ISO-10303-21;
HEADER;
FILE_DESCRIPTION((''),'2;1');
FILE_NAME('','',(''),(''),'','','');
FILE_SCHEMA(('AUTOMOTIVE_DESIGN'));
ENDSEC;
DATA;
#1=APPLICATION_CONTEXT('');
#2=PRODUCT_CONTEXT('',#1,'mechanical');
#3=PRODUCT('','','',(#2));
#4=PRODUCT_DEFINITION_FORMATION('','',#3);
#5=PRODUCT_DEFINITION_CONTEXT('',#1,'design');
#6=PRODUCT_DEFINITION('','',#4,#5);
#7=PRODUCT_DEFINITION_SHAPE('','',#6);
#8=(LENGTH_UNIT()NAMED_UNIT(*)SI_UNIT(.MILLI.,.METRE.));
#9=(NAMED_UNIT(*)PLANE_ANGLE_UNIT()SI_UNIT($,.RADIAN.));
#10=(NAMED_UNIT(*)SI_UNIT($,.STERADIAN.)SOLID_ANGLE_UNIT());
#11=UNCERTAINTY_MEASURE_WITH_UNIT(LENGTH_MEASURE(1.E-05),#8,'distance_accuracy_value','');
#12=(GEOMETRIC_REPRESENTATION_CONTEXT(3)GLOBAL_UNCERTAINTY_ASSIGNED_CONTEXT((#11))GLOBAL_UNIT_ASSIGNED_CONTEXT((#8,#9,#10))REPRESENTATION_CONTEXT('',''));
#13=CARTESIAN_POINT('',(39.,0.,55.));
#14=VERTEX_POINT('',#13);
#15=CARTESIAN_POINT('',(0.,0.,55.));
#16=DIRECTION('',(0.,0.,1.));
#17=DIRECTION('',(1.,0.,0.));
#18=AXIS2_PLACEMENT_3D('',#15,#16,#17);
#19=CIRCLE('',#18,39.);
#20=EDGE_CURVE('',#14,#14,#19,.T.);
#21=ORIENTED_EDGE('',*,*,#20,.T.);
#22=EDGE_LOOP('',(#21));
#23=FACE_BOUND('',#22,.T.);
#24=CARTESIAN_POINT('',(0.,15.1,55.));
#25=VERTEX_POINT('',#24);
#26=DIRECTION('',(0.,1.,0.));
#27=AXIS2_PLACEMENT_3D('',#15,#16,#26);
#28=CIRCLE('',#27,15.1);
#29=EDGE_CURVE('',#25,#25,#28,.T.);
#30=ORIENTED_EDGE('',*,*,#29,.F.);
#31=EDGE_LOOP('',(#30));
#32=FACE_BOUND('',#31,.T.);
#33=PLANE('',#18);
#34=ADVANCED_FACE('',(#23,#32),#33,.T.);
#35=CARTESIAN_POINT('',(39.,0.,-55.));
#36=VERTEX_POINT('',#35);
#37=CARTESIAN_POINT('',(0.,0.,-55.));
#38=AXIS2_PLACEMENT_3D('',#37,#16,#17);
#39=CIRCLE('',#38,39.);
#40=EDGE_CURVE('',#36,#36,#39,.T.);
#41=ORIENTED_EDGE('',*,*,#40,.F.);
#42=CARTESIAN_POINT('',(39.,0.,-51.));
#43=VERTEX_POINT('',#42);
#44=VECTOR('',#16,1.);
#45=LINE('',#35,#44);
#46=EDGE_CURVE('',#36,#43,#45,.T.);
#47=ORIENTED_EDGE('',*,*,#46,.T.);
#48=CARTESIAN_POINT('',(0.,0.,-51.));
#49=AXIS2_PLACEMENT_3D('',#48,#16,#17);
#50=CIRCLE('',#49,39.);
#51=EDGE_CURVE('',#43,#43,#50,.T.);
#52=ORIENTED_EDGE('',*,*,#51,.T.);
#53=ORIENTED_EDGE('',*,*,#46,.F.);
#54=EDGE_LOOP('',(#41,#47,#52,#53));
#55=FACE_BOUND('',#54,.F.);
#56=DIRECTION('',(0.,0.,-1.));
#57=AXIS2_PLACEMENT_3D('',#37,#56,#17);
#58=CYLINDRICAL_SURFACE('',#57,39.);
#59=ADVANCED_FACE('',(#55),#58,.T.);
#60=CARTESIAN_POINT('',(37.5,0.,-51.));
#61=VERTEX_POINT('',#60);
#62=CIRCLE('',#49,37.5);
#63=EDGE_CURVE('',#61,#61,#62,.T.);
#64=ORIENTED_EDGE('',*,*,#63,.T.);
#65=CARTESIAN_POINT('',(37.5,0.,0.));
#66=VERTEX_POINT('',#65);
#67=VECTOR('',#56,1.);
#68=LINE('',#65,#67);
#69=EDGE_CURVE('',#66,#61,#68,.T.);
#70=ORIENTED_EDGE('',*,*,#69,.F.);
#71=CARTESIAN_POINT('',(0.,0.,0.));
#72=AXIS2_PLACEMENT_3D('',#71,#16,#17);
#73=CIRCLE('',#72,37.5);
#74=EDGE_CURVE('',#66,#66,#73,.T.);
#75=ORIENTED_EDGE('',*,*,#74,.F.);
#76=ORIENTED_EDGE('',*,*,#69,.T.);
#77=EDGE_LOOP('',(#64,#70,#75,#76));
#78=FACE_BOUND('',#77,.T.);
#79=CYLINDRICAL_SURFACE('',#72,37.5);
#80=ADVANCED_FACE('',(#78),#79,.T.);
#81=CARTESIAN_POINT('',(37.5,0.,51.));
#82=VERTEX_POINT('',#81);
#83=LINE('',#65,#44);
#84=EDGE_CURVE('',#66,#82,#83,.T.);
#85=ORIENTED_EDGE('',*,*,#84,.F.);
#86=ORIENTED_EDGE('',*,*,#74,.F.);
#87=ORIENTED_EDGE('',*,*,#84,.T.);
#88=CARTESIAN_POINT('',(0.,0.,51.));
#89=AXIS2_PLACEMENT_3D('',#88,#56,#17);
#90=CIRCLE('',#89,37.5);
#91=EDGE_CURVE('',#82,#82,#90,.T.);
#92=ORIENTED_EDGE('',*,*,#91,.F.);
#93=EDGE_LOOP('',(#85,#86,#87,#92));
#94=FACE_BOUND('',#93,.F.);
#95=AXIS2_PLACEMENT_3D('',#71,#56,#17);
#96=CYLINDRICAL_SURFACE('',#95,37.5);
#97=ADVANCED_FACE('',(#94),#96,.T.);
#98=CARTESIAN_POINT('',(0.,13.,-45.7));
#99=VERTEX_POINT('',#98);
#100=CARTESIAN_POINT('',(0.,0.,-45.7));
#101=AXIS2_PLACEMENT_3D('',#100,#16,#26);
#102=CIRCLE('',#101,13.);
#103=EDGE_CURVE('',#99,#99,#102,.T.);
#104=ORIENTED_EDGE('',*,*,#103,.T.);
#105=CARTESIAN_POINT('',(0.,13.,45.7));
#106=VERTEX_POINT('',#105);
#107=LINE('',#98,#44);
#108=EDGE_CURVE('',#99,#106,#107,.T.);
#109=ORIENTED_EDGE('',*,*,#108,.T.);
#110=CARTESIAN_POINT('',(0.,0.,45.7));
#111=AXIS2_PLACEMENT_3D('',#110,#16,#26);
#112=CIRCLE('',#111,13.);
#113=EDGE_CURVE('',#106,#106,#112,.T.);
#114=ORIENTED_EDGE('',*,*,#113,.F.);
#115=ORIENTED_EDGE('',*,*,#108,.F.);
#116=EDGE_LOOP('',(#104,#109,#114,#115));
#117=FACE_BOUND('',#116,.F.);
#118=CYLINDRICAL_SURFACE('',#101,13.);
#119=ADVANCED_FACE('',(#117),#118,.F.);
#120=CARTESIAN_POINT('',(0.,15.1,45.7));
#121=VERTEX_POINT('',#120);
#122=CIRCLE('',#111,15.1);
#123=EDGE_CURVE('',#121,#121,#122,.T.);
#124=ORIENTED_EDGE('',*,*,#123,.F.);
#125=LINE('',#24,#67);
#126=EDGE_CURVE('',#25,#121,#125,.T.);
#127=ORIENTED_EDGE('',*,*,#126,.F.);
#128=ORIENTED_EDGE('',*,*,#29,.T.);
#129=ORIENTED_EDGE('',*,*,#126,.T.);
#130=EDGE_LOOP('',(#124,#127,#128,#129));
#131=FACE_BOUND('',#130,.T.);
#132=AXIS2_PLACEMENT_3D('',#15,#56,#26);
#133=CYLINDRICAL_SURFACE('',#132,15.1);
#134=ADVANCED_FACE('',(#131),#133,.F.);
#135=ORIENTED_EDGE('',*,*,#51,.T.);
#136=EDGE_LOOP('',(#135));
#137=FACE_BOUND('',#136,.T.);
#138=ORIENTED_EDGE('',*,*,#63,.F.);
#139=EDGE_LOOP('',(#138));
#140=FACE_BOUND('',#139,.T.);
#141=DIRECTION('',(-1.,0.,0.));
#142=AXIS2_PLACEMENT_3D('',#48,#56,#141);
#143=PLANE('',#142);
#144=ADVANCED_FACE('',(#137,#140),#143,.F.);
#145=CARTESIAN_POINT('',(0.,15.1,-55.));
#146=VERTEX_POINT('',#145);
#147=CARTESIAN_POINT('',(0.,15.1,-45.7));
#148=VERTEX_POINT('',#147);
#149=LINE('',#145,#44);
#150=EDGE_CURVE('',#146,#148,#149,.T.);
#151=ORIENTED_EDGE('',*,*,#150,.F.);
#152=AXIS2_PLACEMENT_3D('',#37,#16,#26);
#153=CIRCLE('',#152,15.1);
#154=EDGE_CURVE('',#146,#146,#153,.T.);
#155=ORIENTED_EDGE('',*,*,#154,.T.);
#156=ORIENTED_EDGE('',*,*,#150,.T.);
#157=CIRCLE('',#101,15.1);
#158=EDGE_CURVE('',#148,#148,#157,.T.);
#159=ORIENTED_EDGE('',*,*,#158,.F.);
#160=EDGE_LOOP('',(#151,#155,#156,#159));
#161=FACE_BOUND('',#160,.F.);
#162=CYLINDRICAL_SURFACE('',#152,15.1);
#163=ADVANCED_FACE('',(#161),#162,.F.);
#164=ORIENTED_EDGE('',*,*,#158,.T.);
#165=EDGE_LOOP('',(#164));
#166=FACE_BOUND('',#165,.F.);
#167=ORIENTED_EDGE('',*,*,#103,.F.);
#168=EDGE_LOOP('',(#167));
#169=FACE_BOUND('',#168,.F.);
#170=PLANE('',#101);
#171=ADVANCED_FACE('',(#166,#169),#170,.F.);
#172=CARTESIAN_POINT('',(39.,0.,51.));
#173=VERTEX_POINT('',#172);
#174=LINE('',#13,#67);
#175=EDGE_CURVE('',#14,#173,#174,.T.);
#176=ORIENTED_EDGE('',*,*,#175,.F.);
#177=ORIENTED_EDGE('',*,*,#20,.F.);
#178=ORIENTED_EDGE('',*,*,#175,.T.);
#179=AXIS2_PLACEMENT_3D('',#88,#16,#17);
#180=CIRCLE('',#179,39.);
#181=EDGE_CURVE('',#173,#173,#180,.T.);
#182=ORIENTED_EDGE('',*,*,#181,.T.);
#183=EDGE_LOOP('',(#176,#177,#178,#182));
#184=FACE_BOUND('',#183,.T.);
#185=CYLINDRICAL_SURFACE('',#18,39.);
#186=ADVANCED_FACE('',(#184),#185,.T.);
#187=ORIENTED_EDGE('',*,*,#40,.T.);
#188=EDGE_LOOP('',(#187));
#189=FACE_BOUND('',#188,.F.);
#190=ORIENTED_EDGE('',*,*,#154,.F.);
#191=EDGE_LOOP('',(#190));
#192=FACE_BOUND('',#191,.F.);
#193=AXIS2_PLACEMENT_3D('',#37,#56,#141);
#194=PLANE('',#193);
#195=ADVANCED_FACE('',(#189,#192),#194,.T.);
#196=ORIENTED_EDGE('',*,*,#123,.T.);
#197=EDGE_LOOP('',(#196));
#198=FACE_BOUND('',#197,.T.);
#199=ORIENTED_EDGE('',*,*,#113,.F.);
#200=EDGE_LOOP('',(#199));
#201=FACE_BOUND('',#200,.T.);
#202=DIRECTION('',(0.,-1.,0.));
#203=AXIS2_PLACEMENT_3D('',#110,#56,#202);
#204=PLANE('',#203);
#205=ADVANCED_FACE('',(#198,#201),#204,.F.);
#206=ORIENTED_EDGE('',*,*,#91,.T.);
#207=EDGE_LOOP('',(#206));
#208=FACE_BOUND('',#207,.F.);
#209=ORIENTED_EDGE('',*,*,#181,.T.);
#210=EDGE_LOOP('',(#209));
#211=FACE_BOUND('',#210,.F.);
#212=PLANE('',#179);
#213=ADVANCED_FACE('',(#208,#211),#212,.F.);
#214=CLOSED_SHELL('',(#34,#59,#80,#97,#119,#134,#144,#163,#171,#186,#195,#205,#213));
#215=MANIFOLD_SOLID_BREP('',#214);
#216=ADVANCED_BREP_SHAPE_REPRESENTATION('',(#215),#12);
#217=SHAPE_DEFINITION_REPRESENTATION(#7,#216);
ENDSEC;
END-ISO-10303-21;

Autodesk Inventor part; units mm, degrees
ref_plane "YZ Plane" through (0, 0, 0) normal (1, 0, 0) x (0, 1, 0)
ref_plane "XZ Plane" through (0, 0, 0) normal (0, 1, 0) x (-1, 0, 0)
ref_plane "XY Plane" through (0, 0, 0) normal (0, 0, 1) x (1, 0, 0)
sketch "Sketch1" plane through (0, 0, 0) normal (0, 0, 1) x (1, 0, 0)
  circle A0 centre (0, 0) radius 37.5
  dimension "d0" = 75
extrude "Extrusion1" add sketch "Sketch1" along normal mid plane 110
sketch "Sketch5" plane through (0, 0, 55) normal (0, 0, 1) x (1, 0, 0)
  circle A0 centre (0, 0) radius 39
  dimension "d22" = 78
extrude "Extrusion4" add sketch "Sketch5" against normal blind 4
mirror "Mirror2" about plane through (0, 0, 0) normal (0, 0, 1) of "Extrusion4"
sketch "Sketch4" plane through (0, 0, -55) normal (0, 0, -1) x (-1, 0, 0)
  point P0 (0, 0)
  point P1 (0, 0)
hole "Hole1" at (0, 0, -55) direction (0, 0, 1) diameter 26 end through all counterbore diameter 30.2 counterbore depth 9.3
mirror "Mirror1" about plane through (0, 0, 0) normal (0, 0, 1) of "Hole1"
properties part number "13042026-01"
